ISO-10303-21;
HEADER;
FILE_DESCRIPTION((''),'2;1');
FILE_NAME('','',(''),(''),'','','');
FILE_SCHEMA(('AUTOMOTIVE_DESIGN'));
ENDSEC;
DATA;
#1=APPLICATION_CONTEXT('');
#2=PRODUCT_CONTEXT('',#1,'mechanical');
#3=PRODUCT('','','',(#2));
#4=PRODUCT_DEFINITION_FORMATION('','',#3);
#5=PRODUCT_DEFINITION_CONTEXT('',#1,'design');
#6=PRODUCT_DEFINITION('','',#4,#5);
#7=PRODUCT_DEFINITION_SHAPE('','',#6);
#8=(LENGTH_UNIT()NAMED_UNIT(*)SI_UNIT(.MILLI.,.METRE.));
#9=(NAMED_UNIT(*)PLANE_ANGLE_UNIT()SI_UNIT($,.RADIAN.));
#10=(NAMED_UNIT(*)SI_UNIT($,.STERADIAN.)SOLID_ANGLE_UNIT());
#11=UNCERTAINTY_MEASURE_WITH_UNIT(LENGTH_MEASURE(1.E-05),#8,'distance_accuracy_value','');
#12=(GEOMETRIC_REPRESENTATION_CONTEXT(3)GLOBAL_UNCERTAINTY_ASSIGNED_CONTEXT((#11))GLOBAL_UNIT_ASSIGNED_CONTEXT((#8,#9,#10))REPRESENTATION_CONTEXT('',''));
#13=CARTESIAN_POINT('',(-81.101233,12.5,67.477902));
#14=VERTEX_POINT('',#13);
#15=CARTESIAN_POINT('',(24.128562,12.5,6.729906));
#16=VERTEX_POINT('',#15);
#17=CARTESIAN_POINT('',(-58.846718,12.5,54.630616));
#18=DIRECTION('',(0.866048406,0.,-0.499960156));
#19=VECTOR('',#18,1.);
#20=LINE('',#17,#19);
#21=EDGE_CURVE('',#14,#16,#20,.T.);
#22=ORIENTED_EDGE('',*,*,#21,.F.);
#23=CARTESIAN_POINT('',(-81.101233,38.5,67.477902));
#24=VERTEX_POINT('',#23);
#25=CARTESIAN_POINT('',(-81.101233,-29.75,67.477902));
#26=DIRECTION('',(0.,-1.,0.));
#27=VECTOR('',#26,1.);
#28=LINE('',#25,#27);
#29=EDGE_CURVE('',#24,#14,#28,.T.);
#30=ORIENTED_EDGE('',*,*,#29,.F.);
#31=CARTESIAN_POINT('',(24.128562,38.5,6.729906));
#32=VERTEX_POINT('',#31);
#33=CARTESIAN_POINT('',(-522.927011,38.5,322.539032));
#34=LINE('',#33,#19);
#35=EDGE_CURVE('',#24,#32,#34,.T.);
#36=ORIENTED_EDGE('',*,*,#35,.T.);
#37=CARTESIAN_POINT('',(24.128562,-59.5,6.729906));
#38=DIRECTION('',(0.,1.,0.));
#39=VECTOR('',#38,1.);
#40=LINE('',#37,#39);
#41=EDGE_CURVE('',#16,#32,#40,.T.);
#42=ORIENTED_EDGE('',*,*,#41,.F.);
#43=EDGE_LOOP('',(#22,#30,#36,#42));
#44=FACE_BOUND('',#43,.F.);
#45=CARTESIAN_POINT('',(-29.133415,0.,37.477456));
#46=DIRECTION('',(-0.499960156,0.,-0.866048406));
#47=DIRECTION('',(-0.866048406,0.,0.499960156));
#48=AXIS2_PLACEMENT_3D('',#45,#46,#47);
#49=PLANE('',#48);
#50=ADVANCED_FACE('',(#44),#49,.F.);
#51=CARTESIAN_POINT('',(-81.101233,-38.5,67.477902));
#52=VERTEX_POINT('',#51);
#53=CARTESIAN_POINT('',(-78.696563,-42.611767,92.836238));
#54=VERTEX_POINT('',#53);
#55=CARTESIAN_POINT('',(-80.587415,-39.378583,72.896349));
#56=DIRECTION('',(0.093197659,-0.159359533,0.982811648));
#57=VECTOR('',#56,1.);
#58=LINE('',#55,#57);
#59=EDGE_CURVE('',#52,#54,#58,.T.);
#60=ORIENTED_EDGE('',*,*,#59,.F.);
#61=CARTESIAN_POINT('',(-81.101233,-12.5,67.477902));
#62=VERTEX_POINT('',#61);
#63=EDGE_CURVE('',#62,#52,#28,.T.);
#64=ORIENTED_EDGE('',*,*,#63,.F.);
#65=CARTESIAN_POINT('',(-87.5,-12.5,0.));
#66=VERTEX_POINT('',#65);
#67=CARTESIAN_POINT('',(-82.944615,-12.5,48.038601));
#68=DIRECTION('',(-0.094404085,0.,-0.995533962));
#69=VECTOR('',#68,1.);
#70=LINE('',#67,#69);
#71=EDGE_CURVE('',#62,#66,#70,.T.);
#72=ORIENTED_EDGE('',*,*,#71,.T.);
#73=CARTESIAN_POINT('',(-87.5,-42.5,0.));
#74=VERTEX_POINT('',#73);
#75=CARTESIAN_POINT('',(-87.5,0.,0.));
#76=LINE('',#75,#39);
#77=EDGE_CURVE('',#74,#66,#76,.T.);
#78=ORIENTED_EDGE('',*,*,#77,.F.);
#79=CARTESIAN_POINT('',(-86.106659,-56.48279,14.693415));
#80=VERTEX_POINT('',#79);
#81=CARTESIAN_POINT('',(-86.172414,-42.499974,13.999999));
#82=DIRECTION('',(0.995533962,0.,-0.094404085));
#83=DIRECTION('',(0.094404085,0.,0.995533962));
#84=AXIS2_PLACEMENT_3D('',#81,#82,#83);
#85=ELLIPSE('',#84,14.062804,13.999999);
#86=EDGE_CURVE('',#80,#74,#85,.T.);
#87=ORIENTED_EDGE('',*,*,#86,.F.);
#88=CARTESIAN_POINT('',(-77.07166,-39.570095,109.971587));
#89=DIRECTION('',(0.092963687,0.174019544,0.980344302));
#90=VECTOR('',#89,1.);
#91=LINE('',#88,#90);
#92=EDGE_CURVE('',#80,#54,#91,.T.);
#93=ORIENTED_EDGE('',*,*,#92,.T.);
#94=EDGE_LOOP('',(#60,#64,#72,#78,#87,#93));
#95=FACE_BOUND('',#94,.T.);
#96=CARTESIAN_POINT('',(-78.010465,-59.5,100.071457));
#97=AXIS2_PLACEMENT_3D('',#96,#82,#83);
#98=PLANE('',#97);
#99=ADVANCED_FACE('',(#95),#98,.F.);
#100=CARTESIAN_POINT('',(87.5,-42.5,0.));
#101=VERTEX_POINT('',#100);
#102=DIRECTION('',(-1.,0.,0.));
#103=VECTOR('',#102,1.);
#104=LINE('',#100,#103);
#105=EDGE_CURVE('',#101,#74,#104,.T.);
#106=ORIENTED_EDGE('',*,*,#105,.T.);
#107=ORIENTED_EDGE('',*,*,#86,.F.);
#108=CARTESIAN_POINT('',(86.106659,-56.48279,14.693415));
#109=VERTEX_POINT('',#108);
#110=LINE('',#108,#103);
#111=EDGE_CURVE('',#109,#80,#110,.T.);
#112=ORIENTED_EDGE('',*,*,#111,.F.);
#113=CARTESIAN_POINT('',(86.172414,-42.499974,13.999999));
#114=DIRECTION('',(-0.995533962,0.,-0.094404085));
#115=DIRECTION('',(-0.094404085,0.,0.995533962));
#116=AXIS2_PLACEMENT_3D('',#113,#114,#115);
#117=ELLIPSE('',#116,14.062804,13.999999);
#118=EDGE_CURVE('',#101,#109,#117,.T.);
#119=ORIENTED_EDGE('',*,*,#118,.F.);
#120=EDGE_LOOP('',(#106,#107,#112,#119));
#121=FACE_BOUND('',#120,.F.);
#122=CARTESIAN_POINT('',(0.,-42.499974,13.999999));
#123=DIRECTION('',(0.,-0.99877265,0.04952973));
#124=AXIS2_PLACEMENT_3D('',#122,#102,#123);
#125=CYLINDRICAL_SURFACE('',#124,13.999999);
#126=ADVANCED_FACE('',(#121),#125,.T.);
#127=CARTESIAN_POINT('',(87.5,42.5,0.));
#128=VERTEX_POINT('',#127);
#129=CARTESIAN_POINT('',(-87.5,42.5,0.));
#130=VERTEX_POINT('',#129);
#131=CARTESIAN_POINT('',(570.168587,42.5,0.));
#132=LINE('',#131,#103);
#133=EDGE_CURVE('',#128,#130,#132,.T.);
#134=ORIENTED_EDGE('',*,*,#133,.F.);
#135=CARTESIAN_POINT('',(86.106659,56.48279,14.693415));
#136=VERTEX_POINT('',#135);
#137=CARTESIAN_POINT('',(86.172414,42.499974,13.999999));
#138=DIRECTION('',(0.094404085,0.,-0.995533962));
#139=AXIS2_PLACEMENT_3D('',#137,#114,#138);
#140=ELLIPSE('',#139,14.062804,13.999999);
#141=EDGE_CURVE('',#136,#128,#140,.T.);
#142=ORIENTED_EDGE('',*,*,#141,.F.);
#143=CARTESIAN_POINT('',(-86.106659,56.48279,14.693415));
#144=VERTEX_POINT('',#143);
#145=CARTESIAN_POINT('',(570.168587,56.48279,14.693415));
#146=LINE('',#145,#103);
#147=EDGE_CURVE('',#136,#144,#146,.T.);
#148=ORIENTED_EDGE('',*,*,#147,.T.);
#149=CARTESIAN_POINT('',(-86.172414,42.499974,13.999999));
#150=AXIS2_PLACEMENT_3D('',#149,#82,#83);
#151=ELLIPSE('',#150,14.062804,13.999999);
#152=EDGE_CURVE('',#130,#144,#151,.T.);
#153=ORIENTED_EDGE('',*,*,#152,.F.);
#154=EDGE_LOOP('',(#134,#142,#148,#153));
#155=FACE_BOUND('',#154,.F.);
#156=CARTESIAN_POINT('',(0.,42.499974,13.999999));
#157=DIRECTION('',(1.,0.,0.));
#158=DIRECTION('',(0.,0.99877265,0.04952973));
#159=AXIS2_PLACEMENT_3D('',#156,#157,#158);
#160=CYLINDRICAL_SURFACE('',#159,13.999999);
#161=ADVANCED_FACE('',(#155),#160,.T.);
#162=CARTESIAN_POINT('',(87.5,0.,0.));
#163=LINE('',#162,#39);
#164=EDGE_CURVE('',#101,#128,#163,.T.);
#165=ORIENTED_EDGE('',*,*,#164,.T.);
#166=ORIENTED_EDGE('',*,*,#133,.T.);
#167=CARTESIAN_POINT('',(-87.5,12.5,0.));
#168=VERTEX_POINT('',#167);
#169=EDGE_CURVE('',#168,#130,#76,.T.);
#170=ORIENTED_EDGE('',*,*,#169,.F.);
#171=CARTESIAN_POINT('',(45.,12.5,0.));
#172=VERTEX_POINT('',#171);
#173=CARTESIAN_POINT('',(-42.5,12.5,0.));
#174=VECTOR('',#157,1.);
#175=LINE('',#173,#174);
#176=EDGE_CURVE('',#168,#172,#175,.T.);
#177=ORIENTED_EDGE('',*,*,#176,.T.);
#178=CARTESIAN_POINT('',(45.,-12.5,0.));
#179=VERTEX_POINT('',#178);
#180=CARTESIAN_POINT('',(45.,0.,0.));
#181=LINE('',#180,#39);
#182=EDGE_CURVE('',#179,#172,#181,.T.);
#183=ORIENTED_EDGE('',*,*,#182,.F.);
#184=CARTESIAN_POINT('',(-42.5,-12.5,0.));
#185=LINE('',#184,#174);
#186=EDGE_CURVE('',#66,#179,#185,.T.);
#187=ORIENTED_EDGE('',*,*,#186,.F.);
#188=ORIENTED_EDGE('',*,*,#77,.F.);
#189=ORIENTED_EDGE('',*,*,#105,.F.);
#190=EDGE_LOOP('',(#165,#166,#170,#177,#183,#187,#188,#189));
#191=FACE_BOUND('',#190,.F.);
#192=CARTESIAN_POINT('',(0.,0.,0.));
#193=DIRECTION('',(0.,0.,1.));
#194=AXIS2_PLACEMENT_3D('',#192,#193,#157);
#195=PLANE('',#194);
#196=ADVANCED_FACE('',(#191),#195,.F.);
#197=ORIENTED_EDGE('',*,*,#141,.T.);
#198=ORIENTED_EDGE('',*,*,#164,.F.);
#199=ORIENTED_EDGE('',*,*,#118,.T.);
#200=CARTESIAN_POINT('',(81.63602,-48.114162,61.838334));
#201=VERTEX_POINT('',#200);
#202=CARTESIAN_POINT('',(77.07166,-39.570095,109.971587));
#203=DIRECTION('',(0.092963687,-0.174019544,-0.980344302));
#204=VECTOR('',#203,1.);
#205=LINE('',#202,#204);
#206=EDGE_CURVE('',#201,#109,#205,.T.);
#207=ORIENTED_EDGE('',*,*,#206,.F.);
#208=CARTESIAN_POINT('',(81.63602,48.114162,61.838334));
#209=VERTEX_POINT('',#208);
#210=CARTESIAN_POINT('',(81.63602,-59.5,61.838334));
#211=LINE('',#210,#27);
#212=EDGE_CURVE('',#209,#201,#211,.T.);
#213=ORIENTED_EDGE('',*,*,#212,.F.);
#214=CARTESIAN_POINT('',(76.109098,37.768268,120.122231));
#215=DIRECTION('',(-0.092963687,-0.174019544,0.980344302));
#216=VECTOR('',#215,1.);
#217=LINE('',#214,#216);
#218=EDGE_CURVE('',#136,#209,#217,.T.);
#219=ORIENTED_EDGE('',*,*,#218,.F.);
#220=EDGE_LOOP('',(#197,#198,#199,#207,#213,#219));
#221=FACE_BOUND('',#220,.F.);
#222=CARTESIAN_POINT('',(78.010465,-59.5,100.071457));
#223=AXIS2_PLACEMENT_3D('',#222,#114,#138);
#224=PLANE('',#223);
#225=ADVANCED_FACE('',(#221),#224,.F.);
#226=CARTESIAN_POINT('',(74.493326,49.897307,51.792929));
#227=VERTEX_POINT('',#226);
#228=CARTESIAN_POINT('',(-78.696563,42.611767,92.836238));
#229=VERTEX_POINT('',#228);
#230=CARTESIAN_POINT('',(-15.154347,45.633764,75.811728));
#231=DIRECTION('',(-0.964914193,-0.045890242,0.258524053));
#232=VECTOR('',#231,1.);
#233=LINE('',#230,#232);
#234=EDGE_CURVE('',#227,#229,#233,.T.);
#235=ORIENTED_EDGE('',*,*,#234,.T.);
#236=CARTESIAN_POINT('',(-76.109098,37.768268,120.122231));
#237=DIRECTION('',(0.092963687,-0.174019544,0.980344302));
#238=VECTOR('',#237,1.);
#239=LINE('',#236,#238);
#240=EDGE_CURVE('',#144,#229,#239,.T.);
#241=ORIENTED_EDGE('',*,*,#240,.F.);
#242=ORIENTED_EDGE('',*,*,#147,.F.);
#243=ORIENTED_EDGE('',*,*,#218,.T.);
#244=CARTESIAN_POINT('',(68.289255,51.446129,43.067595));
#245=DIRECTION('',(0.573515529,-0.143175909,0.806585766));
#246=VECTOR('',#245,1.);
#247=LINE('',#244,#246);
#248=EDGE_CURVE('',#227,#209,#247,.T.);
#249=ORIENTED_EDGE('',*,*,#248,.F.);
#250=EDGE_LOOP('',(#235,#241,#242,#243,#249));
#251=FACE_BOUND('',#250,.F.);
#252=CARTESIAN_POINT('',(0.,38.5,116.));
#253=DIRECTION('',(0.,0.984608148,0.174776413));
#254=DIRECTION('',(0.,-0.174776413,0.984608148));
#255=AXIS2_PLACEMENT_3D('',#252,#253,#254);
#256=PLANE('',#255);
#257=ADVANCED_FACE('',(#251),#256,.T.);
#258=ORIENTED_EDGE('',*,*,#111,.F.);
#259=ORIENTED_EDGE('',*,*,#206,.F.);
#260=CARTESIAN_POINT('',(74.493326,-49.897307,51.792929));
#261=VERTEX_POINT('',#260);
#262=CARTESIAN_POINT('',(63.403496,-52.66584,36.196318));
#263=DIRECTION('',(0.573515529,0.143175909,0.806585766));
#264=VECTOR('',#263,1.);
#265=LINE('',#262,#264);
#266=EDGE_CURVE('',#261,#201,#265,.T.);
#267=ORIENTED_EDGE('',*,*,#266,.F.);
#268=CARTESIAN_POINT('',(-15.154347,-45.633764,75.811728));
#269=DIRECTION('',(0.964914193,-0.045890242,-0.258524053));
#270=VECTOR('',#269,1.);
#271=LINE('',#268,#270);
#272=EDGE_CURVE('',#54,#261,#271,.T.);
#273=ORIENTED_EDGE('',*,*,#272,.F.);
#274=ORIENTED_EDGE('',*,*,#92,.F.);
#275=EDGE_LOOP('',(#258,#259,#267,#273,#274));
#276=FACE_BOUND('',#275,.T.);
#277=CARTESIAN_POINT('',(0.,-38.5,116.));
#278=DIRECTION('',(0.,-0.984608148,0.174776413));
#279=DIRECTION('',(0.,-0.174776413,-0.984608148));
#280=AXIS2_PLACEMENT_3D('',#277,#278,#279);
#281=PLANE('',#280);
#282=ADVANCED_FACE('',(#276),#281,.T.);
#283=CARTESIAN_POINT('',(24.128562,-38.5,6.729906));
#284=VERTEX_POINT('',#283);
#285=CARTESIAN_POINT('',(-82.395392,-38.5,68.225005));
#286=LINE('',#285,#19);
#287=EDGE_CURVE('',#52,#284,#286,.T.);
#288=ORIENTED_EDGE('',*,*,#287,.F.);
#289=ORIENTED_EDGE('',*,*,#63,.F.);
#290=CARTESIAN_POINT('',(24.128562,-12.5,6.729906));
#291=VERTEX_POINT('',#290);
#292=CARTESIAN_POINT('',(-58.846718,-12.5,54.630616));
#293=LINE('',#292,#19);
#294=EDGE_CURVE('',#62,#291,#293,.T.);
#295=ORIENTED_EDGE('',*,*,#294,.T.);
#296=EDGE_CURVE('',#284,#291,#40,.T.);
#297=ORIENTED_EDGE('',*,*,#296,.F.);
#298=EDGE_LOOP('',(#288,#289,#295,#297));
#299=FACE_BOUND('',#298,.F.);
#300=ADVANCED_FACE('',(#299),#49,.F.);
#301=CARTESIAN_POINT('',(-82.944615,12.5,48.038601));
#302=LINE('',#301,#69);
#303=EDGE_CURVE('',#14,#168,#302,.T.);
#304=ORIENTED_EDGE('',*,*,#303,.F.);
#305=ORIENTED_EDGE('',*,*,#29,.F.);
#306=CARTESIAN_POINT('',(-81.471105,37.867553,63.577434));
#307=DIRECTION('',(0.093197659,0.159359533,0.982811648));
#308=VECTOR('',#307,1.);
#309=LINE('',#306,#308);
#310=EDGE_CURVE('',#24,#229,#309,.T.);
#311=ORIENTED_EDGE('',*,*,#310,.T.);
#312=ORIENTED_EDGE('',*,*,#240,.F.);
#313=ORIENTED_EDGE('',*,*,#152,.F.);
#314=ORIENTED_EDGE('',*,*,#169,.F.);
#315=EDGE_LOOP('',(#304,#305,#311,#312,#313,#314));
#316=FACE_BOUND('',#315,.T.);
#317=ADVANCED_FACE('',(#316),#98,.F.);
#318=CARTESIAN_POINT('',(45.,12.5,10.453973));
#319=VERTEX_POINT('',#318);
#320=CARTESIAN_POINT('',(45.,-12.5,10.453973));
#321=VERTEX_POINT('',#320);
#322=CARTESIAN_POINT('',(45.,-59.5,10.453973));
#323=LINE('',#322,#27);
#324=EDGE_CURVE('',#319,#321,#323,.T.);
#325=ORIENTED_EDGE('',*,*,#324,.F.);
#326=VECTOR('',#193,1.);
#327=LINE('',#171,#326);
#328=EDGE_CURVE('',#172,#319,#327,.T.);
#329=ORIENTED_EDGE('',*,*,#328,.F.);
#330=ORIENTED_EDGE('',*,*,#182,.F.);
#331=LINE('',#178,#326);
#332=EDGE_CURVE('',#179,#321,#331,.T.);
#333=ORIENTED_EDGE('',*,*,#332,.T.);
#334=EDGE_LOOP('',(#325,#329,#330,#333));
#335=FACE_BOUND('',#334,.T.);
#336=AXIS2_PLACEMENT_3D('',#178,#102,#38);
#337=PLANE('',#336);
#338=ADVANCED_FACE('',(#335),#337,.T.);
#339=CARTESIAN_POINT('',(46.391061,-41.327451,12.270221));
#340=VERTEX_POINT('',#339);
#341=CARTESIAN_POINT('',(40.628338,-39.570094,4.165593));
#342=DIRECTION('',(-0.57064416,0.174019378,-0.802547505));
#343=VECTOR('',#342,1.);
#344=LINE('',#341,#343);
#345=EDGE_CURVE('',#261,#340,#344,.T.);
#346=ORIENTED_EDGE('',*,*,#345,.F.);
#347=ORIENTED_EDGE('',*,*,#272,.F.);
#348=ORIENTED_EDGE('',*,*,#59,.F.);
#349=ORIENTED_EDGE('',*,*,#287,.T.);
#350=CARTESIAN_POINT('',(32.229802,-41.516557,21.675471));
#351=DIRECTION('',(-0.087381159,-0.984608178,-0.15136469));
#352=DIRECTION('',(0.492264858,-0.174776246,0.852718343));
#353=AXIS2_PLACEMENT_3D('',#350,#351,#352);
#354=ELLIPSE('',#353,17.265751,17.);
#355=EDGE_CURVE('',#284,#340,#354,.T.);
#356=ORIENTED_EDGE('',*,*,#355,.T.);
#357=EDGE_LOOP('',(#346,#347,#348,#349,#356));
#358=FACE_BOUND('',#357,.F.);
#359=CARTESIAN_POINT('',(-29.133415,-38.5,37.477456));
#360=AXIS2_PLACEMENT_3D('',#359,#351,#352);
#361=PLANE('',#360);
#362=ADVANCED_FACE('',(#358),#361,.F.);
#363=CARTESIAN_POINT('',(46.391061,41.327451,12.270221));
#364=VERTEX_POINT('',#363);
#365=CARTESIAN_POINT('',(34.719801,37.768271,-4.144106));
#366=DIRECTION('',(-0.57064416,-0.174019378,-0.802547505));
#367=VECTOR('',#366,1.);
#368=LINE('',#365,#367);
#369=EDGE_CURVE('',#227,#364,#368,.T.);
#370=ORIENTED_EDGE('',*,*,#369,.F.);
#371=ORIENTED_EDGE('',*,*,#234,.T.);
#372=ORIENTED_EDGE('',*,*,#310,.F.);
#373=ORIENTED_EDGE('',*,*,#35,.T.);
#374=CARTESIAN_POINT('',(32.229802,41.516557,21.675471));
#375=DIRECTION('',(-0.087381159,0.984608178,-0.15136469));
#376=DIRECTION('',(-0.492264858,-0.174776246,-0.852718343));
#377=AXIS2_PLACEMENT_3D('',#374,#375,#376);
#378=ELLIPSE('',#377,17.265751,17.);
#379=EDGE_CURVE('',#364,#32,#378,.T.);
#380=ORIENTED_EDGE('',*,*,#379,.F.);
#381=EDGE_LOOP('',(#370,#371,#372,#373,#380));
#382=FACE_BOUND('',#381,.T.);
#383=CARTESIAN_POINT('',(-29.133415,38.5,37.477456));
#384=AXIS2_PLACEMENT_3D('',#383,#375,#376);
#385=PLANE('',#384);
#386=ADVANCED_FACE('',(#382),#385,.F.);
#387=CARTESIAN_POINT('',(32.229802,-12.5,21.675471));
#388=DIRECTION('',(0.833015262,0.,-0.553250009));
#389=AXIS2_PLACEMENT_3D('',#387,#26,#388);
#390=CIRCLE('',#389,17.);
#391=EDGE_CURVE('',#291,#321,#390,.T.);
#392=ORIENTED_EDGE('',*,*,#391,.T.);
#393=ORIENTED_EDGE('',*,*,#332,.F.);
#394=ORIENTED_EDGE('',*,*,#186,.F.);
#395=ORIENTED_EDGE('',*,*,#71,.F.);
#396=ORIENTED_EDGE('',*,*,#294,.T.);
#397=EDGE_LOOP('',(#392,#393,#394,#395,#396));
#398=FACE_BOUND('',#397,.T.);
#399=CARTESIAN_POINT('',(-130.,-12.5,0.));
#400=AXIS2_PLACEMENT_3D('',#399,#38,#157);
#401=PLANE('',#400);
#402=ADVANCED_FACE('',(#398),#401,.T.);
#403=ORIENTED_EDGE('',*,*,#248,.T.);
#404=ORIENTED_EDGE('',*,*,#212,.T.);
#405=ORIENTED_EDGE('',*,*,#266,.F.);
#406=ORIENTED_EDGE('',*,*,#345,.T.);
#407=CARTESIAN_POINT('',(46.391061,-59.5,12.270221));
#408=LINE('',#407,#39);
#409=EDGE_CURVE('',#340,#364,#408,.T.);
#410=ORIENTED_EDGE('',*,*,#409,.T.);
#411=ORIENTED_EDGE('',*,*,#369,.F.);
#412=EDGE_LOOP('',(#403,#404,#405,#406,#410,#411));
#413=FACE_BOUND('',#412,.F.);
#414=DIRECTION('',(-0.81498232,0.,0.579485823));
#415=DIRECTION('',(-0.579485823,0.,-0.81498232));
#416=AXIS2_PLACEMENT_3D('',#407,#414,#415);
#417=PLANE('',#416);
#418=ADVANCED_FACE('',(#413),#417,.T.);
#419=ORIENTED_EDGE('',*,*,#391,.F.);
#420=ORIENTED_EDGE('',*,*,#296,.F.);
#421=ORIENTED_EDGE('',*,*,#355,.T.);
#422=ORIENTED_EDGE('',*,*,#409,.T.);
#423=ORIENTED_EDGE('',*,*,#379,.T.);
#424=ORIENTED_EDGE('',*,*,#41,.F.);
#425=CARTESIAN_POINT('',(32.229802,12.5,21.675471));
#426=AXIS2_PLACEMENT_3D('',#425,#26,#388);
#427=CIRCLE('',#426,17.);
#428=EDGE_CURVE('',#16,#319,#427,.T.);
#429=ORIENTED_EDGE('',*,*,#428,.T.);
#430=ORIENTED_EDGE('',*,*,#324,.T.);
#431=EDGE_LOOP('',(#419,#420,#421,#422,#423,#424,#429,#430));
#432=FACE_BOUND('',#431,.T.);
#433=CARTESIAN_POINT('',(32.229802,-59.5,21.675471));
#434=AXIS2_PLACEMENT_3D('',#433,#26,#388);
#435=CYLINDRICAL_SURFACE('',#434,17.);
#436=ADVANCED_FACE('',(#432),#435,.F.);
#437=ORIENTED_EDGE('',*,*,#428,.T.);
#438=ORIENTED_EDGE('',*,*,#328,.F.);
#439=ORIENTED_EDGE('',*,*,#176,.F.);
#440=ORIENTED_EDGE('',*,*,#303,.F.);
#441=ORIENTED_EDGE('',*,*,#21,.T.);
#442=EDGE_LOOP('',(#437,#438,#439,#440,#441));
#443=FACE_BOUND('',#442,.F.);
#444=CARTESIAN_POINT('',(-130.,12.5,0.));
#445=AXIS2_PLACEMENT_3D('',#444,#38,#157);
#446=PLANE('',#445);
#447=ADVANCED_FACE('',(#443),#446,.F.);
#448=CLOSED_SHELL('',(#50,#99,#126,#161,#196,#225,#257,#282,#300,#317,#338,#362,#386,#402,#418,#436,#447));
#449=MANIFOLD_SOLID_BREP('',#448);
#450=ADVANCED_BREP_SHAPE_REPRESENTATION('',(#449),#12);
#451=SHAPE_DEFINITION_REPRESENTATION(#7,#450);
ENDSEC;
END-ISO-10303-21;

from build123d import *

# Parameters (mm, degrees)
SKETCH006_W             = 175
SKETCH006_H             = 25
PAD002_DEPTH            = 120
SKETCH003_W             = 175
SKETCH003_H             = 119
PAD001_DEPTH            = 116
POCKET002_DEPTH         = 119
POCKET003_DEPTH         = 570.168587
POCKET003_DEPTH_BACK    = 570.168587
BODY001_PLACEMENT_ANGLE = 150.002636
SKETCH_W                = 175
SKETCH_H                = 119
PAD_DEPTH               = 116
POCKET_DEPTH            = 119
POCKET001_DEPTH         = 570.168587
POCKET001_DEPTH_BACK    = 570.168587


with BuildPart() as wiretunel:
    # Sketch006 → Pad002 (new body)
    with BuildSketch(Plane.XY):
        with Locations((-42.5, 0)):
            Rectangle(SKETCH006_W, SKETCH006_H)
    extrude(amount=PAD002_DEPTH)


with BuildPart() as speaker:
    # Sketch003 → Pad001 (new body)
    with BuildSketch(Plane.XY):
        Rectangle(SKETCH003_W, SKETCH003_H)
    extrude(amount=PAD001_DEPTH)

    # Sketch004 (on Face3 of Pad001) → Pocket002 (cut)
    with BuildSketch(Plane.XZ.offset(59.5)):
        with BuildLine():
            ThreePointArc((78.010465, 100.071457), (72.847154, 111.240608), (61.5, 116))
            Line((87.5, 116), (61.5, 116))
            Line((87.5, 0), (87.5, 116))
            Line((78.010465, 100.071457), (87.5, 0))
        make_face()
    pocket002 = extrude(amount=-POCKET002_DEPTH, mode=Mode.SUBTRACT)

    # Mirrored002: Pocket002 across Sketch004 V_Axis
    add(pocket002.mirror(Plane(origin=(0, -59.5, 0), x_dir=(0, -1, 0), z_dir=(1, 0, 0))), mode=Mode.SUBTRACT)

    # Sketch005 → Pocket003 (cut, two sides)
    with BuildSketch(Plane.YZ) as pocket003_sk:
        with BuildLine():
            Line((-38.5, 116), (-59.5, 116))
            Line((-59.5, 116), (-59.5, 0))
            Line((-59.5, 0), (-42.5, 0))
            ThreePointArc((-56.482773, 14.693411), (-52.641661, 4.348792), (-42.5, 0))
            Line((-38.5, 116), (-56.482773, 14.693411))
        make_face()
    pocket003 = extrude(amount=-POCKET003_DEPTH, mode=Mode.SUBTRACT) + extrude(pocket003_sk.sketch, amount=POCKET003_DEPTH_BACK, mode=Mode.SUBTRACT)

    # Mirrored003: Pocket003 across Sketch005 V_Axis
    add(pocket003.mirror(Plane(origin=(0, 0, 0), x_dir=(1, 0, 0), z_dir=(0, 1, 0))), mode=Mode.SUBTRACT)


with BuildPart() as speaker_1:
    # Body001 placement: moved
    add(speaker.part.moved(Location((28.861963, 0, 137.939071))).rotate(Axis((28.861963, 0, 137.939071), (0, -1, 0)), BODY001_PLACEMENT_ANGLE))


with BuildPart() as cut001:
    # Sketch → Pad (new body)
    with BuildSketch(Plane.XY):
        Rectangle(SKETCH_W, SKETCH_H)
    extrude(amount=PAD_DEPTH)

    # Sketch001 (on Face3 of Pad) → Pocket (cut)
    with BuildSketch(Plane.XZ.offset(59.5)):
        with BuildLine():
            ThreePointArc((78.010465, 100.071457), (72.847154, 111.240608), (61.5, 116))
            Line((87.5, 116), (61.5, 116))
            Line((87.5, 0), (87.5, 116))
            Line((78.010465, 100.071457), (87.5, 0))
        make_face()
    pocket = extrude(amount=-POCKET_DEPTH, mode=Mode.SUBTRACT)

    # Mirrored: Pocket across Sketch001 V_Axis
    add(pocket.mirror(Plane(origin=(0, -59.5, 0), x_dir=(0, -1, 0), z_dir=(1, 0, 0))), mode=Mode.SUBTRACT)

    # Sketch002 → Pocket001 (cut, two sides)
    with BuildSketch(Plane.YZ) as pocket001_sk:
        with BuildLine():
            Line((-38.5, 116), (-59.5, 116))
            Line((-59.5, 116), (-59.5, 0))
            Line((-59.5, 0), (-42.5, 0))
            ThreePointArc((-56.48279, 14.693415), (-52.641674, 4.348787), (-42.5, 0))
            Line((-38.5, 116), (-56.48279, 14.693415))
        make_face()
    pocket001 = extrude(amount=-POCKET001_DEPTH, mode=Mode.SUBTRACT) + extrude(pocket001_sk.sketch, amount=POCKET001_DEPTH_BACK, mode=Mode.SUBTRACT)

    # Mirrored001: Pocket001 across Sketch002 V_Axis
    add(pocket001.mirror(Plane(origin=(0, 0, 0), x_dir=(1, 0, 0), z_dir=(0, 1, 0))), mode=Mode.SUBTRACT)

    # Cut: cut Speaker
    add(speaker_1.part, mode=Mode.SUBTRACT)

    # Cut001: cut WireTunel
    add(wiretunel.part, mode=Mode.SUBTRACT)


solid = cut001.part
